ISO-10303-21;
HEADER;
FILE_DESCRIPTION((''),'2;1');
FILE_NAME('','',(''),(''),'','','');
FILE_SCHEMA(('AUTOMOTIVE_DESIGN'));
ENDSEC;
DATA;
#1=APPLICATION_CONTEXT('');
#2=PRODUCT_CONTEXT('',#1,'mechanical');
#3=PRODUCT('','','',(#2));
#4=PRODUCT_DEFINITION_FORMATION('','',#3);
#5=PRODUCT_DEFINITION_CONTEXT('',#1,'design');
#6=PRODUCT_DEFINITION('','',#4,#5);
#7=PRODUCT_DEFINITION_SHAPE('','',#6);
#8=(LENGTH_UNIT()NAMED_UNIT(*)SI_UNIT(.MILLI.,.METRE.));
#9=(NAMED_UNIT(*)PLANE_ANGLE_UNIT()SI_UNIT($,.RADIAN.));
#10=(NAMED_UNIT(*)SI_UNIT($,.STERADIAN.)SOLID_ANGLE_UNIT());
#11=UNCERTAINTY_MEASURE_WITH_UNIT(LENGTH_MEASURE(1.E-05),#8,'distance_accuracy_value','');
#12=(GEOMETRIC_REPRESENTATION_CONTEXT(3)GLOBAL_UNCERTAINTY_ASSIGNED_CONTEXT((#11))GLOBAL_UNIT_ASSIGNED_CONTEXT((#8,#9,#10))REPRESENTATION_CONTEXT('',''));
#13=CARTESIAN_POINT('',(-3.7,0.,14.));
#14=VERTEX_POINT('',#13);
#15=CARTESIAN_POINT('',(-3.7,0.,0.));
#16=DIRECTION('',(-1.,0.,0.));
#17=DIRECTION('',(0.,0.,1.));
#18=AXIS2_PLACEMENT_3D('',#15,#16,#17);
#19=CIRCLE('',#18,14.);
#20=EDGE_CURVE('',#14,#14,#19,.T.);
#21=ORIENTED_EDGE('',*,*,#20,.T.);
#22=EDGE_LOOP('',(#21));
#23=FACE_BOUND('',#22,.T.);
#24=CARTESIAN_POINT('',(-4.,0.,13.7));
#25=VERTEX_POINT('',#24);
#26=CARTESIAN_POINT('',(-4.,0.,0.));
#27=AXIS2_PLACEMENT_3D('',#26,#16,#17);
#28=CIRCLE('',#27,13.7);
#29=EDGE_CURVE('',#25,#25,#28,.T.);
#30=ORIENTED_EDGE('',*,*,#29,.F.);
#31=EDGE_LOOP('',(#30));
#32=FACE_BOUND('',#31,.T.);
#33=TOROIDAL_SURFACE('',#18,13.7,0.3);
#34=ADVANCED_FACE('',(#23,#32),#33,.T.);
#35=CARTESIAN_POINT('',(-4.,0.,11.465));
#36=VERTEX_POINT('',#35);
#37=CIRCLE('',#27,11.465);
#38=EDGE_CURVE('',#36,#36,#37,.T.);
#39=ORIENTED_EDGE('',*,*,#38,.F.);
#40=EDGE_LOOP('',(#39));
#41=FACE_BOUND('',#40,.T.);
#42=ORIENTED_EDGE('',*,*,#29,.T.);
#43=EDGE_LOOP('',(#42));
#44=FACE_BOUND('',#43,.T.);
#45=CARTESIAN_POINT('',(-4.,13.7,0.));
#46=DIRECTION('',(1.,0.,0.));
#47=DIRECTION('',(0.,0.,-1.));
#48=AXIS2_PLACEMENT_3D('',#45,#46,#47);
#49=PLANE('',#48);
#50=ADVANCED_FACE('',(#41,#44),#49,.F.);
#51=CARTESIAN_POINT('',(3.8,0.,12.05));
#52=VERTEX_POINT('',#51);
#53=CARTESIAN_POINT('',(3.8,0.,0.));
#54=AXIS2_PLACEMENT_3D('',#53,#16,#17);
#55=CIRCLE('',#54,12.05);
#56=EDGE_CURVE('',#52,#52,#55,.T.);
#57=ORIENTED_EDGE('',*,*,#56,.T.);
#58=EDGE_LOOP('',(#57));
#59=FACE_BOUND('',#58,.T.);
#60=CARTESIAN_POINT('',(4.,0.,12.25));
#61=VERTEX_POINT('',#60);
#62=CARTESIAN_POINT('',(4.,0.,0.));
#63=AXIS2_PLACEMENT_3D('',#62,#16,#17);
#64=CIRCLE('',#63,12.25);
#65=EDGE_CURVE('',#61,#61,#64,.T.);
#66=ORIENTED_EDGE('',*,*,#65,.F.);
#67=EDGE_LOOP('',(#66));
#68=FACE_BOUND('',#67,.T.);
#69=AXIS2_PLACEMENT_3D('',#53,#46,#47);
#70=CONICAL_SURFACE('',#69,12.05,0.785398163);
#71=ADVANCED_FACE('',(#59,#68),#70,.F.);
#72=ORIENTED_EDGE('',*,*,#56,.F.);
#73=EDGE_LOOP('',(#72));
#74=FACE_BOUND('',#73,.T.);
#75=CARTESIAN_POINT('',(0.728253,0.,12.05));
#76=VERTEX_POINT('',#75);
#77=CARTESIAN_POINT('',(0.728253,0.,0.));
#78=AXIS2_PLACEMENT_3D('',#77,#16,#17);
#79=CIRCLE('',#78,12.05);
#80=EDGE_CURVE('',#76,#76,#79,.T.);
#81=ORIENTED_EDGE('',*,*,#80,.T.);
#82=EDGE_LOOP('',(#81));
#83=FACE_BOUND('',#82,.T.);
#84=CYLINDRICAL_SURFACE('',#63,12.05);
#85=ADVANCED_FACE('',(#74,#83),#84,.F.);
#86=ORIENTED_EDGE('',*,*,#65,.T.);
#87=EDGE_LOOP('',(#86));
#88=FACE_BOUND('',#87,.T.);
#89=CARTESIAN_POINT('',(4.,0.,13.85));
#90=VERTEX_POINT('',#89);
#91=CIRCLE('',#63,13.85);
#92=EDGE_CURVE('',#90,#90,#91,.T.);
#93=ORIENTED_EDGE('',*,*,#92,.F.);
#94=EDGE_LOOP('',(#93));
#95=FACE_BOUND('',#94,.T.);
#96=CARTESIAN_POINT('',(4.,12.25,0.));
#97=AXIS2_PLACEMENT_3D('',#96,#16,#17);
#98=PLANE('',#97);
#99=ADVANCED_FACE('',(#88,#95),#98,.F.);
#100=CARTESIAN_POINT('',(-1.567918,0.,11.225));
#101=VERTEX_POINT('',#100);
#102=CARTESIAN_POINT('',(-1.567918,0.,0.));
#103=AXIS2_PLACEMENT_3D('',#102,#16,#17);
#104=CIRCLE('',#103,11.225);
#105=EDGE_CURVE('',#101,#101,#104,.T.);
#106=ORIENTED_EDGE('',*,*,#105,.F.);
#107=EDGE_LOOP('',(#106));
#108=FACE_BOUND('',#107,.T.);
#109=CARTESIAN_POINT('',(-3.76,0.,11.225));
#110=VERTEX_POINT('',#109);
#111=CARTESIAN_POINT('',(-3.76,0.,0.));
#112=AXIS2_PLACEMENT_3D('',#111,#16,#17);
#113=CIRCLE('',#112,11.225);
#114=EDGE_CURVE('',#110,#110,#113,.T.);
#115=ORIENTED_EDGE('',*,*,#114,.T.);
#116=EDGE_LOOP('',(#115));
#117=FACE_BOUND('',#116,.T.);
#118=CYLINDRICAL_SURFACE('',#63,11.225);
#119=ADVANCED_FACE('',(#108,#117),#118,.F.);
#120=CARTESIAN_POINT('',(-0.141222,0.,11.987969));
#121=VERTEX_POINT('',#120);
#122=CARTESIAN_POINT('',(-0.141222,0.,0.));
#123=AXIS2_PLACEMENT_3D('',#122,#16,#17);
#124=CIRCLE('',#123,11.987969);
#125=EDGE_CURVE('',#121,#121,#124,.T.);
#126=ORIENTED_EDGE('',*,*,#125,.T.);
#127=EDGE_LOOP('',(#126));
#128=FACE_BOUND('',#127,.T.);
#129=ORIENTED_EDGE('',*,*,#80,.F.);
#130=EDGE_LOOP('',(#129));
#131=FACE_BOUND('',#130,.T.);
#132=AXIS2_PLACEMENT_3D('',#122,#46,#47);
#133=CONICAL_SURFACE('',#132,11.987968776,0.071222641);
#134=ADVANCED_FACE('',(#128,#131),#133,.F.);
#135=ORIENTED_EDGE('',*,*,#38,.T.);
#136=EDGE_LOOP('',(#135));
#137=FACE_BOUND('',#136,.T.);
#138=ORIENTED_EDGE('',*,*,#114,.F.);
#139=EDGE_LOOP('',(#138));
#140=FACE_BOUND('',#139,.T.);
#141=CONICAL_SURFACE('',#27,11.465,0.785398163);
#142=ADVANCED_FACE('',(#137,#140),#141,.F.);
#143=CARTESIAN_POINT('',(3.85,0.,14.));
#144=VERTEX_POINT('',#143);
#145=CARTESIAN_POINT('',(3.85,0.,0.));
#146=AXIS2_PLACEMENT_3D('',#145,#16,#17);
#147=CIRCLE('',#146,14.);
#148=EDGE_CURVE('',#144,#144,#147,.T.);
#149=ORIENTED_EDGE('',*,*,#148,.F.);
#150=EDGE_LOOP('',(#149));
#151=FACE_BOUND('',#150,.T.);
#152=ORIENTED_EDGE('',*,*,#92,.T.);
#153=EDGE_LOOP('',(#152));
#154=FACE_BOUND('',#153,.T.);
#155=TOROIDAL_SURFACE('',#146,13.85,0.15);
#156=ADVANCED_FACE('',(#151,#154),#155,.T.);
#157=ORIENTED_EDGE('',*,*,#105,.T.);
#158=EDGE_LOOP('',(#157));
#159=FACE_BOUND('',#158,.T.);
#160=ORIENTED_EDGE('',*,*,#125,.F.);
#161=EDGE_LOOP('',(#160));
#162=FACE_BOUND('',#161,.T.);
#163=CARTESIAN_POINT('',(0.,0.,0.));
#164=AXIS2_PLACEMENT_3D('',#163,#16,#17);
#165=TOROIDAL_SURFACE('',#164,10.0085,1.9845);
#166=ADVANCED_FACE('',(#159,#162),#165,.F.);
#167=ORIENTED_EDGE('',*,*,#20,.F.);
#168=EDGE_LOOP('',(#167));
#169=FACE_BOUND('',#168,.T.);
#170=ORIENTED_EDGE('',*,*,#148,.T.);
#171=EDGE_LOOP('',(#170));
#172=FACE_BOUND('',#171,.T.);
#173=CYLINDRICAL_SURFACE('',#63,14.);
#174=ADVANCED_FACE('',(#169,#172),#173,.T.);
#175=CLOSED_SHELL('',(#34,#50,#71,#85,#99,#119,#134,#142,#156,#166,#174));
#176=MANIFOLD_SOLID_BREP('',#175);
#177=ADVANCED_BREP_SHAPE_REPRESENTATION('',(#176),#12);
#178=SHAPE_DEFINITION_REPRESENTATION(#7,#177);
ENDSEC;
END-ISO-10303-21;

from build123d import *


with BuildPart() as part:
    # Sketch1 → Revolve1 (revolve)
    with BuildSketch(Plane.XY, mode=Mode.PRIVATE) as revolve1_sk:
        with BuildLine():
            Line((-4, 11.465), (-3.76, 11.225))
            Line((-3.76, 11.225), (-1.567918365, 11.225))
            ThreePointArc((-1.567918365, 11.225), (-0.935852777, 11.758477094), (-0.141221865, 11.987968776))
            Line((-0.141221865, 11.987968776), (0.728253065, 12.05))
            Line((0.728253065, 12.05), (3.8, 12.05))
            Line((3.8, 12.05), (4, 12.25))
            Line((4, 12.25), (4, 13.85))
            ThreePointArc((4, 13.85), (3.956066017, 13.956066017), (3.85, 14))
            Line((3.85, 14), (-3.7, 14))
            ThreePointArc((-3.7, 14), (-3.912132034, 13.912132034), (-4, 13.7))
            Line((-4, 13.7), (-4, 11.465))
        make_face()
    revolve(revolve1_sk.sketch.rotate(Axis((4, 0, 0), (-1, 0, 0)), 270), axis=Axis((4, 0, 0), (-1, 0, 0)))


solid = part.part
